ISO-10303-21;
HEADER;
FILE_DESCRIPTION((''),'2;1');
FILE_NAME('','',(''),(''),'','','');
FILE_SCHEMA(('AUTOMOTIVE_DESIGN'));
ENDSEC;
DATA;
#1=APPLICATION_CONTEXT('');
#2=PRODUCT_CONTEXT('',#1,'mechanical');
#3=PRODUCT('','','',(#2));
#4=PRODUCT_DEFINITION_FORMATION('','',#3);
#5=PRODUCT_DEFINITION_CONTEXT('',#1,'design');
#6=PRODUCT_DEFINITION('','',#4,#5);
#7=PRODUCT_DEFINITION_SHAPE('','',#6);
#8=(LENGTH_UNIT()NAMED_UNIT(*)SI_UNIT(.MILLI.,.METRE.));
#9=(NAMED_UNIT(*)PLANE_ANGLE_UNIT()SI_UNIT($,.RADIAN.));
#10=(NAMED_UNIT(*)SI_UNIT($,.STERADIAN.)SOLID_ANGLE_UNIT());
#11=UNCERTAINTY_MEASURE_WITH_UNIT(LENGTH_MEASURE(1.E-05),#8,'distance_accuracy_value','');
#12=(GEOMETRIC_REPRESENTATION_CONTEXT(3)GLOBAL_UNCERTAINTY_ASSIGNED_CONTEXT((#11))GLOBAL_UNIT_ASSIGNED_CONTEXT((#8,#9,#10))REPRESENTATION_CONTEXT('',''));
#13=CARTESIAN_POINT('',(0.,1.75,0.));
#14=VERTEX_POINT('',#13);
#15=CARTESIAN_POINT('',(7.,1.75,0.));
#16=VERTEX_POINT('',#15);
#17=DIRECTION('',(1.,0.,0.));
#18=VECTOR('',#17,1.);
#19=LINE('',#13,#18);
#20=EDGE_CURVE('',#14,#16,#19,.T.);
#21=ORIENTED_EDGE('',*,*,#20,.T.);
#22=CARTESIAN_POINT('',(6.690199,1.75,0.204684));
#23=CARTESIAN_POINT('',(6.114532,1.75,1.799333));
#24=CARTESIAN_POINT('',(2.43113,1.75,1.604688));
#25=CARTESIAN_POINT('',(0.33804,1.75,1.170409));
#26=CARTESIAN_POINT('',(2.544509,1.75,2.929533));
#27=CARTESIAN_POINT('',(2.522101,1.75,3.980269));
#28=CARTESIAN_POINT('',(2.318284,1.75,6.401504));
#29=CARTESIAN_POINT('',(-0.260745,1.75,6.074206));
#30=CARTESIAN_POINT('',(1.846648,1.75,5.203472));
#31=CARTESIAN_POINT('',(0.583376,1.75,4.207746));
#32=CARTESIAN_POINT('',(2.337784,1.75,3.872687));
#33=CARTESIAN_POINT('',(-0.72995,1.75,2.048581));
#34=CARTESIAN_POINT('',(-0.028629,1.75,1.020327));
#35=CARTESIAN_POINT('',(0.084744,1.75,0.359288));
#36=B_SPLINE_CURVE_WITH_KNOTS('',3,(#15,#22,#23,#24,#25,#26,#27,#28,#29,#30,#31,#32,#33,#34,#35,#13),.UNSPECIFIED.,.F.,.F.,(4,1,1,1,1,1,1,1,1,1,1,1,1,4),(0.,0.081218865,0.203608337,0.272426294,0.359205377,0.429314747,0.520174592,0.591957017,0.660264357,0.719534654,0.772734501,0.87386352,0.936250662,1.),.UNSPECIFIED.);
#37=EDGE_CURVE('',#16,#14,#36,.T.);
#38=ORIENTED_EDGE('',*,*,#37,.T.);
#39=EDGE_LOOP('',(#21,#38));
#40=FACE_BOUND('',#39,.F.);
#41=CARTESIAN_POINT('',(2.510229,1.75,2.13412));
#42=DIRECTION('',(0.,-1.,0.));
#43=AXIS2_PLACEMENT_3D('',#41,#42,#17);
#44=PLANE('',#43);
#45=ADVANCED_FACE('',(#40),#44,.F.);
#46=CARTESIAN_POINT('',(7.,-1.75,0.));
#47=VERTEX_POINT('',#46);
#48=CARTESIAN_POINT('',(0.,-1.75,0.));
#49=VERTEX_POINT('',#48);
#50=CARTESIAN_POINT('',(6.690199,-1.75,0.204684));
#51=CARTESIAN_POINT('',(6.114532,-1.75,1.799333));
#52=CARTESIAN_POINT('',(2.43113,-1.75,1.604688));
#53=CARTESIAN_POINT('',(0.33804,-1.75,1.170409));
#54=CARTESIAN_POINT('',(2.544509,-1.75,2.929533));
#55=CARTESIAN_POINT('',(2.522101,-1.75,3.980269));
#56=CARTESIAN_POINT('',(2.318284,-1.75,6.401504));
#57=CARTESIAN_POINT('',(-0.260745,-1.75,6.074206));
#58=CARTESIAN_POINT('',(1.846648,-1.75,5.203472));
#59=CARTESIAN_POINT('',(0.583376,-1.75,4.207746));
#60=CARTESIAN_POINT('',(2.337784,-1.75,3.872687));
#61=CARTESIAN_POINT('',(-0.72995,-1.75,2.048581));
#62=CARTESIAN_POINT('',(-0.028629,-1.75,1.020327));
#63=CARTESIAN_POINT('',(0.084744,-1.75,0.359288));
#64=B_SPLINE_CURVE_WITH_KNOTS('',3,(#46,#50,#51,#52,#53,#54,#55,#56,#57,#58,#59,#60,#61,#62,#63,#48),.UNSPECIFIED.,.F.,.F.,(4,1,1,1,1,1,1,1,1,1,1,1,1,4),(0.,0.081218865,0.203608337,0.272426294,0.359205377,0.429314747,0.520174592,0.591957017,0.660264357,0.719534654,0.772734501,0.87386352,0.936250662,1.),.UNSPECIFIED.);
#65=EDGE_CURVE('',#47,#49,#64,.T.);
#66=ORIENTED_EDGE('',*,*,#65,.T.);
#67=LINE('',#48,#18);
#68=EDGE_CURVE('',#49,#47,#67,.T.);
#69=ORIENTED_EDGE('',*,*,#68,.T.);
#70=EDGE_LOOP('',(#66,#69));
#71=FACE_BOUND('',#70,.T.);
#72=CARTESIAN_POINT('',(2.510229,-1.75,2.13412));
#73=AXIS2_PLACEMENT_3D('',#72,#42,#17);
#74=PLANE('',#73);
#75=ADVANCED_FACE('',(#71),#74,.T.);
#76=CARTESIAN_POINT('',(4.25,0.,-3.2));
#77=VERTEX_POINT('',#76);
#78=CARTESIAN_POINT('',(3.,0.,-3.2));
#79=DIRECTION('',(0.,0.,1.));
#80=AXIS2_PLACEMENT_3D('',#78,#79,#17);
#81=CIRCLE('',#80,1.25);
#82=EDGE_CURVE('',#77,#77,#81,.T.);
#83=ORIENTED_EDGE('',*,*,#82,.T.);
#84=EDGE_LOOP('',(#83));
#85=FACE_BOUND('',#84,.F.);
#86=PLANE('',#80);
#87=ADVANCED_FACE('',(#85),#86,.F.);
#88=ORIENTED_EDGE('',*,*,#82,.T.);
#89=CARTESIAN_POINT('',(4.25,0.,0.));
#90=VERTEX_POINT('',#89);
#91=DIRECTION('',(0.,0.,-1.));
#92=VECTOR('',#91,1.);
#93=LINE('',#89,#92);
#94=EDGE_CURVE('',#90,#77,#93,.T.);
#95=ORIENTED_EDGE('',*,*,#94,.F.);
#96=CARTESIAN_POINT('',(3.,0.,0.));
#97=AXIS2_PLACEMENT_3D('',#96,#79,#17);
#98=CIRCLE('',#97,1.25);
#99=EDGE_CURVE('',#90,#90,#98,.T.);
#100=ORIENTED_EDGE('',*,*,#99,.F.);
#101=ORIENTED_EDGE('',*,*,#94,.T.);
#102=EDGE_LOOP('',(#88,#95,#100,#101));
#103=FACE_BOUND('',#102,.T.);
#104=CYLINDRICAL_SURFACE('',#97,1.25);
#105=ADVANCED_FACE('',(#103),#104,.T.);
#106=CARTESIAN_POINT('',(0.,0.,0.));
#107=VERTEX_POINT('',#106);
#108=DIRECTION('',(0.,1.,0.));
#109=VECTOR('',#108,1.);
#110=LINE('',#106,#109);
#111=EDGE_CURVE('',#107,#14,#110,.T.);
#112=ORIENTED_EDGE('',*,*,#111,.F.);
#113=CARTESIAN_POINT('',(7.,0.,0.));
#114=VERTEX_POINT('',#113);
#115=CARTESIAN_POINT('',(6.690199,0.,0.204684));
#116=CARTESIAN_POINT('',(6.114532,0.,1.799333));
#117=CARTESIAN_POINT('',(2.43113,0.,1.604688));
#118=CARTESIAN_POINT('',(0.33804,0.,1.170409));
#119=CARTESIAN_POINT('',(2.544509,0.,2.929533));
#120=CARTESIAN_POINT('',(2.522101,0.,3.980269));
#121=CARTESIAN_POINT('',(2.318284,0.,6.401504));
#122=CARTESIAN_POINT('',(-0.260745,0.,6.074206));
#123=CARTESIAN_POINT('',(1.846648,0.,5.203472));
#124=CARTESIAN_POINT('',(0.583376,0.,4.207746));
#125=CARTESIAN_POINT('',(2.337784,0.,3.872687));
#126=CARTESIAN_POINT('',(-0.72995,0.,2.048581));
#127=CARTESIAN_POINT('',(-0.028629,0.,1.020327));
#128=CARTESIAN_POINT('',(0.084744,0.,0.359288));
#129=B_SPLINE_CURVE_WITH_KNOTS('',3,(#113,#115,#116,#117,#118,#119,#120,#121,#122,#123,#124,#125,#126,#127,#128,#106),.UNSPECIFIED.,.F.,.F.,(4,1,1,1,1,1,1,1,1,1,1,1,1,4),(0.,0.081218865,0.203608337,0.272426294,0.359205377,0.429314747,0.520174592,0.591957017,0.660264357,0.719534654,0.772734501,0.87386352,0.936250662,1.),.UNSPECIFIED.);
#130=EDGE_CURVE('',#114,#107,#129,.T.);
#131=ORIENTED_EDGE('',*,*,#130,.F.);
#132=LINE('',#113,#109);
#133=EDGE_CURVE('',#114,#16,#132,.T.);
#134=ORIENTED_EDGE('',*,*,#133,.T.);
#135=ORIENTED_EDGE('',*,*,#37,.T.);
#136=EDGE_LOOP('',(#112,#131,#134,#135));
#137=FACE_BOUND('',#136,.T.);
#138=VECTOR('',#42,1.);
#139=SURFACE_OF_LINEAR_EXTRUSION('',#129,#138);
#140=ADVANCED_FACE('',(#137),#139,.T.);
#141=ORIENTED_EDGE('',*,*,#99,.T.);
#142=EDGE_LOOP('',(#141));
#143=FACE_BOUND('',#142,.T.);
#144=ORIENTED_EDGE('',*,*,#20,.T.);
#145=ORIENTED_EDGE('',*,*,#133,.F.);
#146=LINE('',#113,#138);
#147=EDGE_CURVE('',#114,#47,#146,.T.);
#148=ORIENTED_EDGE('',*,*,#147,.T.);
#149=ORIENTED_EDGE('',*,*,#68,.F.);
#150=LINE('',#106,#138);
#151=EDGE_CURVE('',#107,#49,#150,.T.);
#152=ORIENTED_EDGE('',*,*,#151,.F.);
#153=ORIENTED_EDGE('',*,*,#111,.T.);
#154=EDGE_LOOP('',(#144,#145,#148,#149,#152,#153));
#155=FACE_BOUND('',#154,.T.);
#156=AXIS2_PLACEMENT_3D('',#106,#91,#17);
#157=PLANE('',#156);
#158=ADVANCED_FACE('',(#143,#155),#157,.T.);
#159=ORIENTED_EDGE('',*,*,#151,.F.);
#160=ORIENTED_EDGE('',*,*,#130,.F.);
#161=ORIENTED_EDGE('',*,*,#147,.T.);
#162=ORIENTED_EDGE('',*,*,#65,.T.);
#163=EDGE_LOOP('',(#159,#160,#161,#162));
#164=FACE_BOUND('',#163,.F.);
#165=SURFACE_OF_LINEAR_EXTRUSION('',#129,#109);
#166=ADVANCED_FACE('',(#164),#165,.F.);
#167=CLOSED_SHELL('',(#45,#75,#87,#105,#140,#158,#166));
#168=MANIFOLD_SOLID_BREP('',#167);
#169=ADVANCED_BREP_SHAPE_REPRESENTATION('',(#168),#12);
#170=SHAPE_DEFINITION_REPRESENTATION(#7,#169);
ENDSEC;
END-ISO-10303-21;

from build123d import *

# Parameters (mm, degrees)
F1_DEPTH = 1.75
F2_R     = 1.25
F3_DEPTH = 3.2


with BuildPart() as f1:
    # F0 (on Front) → F1 (new body, symmetric)
    with BuildSketch(Plane.XZ):
        with BuildLine():
            add(Edge.make_bspline(
                [(7, 0), (6.690198974, 0.204683943), (6.114532001, 1.7993332709), (2.431130198, 1.6046883761), (0.3380404041, 1.170409304), (2.5445093221, 2.9295329434), (2.5221009958, 3.9802694633), (2.3182839336, 6.4015037026), (-0.2607450895, 6.0742061816), (1.8466480698, 5.2034723445), (0.583376323, 4.2077463089), (2.3377841513, 3.8726868762), (-0.7299504338, 2.0485809473), (-0.0286293595, 1.0203269913), (0.0847443614, 0.3592877387), (0, 0)],
                knots=[0, 0, 0, 0, 0.0812188653, 0.2036083368, 0.2724262945, 0.3592053766, 0.4293147467, 0.5201745922, 0.5919570173, 0.6602643573, 0.7195346541, 0.7727345011, 0.8738635197, 0.9362506624, 1, 1, 1, 1], degree=3))
            Line((0, 0), (7, 0))
        make_face()
    extrude(amount=F1_DEPTH, both=True)

    # F2 (on Top) → F3 (join)
    with BuildSketch(Plane.XY):
        with Locations((3, 0)):
            Circle(F2_R)
    extrude(amount=-F3_DEPTH)


solid = f1.part
